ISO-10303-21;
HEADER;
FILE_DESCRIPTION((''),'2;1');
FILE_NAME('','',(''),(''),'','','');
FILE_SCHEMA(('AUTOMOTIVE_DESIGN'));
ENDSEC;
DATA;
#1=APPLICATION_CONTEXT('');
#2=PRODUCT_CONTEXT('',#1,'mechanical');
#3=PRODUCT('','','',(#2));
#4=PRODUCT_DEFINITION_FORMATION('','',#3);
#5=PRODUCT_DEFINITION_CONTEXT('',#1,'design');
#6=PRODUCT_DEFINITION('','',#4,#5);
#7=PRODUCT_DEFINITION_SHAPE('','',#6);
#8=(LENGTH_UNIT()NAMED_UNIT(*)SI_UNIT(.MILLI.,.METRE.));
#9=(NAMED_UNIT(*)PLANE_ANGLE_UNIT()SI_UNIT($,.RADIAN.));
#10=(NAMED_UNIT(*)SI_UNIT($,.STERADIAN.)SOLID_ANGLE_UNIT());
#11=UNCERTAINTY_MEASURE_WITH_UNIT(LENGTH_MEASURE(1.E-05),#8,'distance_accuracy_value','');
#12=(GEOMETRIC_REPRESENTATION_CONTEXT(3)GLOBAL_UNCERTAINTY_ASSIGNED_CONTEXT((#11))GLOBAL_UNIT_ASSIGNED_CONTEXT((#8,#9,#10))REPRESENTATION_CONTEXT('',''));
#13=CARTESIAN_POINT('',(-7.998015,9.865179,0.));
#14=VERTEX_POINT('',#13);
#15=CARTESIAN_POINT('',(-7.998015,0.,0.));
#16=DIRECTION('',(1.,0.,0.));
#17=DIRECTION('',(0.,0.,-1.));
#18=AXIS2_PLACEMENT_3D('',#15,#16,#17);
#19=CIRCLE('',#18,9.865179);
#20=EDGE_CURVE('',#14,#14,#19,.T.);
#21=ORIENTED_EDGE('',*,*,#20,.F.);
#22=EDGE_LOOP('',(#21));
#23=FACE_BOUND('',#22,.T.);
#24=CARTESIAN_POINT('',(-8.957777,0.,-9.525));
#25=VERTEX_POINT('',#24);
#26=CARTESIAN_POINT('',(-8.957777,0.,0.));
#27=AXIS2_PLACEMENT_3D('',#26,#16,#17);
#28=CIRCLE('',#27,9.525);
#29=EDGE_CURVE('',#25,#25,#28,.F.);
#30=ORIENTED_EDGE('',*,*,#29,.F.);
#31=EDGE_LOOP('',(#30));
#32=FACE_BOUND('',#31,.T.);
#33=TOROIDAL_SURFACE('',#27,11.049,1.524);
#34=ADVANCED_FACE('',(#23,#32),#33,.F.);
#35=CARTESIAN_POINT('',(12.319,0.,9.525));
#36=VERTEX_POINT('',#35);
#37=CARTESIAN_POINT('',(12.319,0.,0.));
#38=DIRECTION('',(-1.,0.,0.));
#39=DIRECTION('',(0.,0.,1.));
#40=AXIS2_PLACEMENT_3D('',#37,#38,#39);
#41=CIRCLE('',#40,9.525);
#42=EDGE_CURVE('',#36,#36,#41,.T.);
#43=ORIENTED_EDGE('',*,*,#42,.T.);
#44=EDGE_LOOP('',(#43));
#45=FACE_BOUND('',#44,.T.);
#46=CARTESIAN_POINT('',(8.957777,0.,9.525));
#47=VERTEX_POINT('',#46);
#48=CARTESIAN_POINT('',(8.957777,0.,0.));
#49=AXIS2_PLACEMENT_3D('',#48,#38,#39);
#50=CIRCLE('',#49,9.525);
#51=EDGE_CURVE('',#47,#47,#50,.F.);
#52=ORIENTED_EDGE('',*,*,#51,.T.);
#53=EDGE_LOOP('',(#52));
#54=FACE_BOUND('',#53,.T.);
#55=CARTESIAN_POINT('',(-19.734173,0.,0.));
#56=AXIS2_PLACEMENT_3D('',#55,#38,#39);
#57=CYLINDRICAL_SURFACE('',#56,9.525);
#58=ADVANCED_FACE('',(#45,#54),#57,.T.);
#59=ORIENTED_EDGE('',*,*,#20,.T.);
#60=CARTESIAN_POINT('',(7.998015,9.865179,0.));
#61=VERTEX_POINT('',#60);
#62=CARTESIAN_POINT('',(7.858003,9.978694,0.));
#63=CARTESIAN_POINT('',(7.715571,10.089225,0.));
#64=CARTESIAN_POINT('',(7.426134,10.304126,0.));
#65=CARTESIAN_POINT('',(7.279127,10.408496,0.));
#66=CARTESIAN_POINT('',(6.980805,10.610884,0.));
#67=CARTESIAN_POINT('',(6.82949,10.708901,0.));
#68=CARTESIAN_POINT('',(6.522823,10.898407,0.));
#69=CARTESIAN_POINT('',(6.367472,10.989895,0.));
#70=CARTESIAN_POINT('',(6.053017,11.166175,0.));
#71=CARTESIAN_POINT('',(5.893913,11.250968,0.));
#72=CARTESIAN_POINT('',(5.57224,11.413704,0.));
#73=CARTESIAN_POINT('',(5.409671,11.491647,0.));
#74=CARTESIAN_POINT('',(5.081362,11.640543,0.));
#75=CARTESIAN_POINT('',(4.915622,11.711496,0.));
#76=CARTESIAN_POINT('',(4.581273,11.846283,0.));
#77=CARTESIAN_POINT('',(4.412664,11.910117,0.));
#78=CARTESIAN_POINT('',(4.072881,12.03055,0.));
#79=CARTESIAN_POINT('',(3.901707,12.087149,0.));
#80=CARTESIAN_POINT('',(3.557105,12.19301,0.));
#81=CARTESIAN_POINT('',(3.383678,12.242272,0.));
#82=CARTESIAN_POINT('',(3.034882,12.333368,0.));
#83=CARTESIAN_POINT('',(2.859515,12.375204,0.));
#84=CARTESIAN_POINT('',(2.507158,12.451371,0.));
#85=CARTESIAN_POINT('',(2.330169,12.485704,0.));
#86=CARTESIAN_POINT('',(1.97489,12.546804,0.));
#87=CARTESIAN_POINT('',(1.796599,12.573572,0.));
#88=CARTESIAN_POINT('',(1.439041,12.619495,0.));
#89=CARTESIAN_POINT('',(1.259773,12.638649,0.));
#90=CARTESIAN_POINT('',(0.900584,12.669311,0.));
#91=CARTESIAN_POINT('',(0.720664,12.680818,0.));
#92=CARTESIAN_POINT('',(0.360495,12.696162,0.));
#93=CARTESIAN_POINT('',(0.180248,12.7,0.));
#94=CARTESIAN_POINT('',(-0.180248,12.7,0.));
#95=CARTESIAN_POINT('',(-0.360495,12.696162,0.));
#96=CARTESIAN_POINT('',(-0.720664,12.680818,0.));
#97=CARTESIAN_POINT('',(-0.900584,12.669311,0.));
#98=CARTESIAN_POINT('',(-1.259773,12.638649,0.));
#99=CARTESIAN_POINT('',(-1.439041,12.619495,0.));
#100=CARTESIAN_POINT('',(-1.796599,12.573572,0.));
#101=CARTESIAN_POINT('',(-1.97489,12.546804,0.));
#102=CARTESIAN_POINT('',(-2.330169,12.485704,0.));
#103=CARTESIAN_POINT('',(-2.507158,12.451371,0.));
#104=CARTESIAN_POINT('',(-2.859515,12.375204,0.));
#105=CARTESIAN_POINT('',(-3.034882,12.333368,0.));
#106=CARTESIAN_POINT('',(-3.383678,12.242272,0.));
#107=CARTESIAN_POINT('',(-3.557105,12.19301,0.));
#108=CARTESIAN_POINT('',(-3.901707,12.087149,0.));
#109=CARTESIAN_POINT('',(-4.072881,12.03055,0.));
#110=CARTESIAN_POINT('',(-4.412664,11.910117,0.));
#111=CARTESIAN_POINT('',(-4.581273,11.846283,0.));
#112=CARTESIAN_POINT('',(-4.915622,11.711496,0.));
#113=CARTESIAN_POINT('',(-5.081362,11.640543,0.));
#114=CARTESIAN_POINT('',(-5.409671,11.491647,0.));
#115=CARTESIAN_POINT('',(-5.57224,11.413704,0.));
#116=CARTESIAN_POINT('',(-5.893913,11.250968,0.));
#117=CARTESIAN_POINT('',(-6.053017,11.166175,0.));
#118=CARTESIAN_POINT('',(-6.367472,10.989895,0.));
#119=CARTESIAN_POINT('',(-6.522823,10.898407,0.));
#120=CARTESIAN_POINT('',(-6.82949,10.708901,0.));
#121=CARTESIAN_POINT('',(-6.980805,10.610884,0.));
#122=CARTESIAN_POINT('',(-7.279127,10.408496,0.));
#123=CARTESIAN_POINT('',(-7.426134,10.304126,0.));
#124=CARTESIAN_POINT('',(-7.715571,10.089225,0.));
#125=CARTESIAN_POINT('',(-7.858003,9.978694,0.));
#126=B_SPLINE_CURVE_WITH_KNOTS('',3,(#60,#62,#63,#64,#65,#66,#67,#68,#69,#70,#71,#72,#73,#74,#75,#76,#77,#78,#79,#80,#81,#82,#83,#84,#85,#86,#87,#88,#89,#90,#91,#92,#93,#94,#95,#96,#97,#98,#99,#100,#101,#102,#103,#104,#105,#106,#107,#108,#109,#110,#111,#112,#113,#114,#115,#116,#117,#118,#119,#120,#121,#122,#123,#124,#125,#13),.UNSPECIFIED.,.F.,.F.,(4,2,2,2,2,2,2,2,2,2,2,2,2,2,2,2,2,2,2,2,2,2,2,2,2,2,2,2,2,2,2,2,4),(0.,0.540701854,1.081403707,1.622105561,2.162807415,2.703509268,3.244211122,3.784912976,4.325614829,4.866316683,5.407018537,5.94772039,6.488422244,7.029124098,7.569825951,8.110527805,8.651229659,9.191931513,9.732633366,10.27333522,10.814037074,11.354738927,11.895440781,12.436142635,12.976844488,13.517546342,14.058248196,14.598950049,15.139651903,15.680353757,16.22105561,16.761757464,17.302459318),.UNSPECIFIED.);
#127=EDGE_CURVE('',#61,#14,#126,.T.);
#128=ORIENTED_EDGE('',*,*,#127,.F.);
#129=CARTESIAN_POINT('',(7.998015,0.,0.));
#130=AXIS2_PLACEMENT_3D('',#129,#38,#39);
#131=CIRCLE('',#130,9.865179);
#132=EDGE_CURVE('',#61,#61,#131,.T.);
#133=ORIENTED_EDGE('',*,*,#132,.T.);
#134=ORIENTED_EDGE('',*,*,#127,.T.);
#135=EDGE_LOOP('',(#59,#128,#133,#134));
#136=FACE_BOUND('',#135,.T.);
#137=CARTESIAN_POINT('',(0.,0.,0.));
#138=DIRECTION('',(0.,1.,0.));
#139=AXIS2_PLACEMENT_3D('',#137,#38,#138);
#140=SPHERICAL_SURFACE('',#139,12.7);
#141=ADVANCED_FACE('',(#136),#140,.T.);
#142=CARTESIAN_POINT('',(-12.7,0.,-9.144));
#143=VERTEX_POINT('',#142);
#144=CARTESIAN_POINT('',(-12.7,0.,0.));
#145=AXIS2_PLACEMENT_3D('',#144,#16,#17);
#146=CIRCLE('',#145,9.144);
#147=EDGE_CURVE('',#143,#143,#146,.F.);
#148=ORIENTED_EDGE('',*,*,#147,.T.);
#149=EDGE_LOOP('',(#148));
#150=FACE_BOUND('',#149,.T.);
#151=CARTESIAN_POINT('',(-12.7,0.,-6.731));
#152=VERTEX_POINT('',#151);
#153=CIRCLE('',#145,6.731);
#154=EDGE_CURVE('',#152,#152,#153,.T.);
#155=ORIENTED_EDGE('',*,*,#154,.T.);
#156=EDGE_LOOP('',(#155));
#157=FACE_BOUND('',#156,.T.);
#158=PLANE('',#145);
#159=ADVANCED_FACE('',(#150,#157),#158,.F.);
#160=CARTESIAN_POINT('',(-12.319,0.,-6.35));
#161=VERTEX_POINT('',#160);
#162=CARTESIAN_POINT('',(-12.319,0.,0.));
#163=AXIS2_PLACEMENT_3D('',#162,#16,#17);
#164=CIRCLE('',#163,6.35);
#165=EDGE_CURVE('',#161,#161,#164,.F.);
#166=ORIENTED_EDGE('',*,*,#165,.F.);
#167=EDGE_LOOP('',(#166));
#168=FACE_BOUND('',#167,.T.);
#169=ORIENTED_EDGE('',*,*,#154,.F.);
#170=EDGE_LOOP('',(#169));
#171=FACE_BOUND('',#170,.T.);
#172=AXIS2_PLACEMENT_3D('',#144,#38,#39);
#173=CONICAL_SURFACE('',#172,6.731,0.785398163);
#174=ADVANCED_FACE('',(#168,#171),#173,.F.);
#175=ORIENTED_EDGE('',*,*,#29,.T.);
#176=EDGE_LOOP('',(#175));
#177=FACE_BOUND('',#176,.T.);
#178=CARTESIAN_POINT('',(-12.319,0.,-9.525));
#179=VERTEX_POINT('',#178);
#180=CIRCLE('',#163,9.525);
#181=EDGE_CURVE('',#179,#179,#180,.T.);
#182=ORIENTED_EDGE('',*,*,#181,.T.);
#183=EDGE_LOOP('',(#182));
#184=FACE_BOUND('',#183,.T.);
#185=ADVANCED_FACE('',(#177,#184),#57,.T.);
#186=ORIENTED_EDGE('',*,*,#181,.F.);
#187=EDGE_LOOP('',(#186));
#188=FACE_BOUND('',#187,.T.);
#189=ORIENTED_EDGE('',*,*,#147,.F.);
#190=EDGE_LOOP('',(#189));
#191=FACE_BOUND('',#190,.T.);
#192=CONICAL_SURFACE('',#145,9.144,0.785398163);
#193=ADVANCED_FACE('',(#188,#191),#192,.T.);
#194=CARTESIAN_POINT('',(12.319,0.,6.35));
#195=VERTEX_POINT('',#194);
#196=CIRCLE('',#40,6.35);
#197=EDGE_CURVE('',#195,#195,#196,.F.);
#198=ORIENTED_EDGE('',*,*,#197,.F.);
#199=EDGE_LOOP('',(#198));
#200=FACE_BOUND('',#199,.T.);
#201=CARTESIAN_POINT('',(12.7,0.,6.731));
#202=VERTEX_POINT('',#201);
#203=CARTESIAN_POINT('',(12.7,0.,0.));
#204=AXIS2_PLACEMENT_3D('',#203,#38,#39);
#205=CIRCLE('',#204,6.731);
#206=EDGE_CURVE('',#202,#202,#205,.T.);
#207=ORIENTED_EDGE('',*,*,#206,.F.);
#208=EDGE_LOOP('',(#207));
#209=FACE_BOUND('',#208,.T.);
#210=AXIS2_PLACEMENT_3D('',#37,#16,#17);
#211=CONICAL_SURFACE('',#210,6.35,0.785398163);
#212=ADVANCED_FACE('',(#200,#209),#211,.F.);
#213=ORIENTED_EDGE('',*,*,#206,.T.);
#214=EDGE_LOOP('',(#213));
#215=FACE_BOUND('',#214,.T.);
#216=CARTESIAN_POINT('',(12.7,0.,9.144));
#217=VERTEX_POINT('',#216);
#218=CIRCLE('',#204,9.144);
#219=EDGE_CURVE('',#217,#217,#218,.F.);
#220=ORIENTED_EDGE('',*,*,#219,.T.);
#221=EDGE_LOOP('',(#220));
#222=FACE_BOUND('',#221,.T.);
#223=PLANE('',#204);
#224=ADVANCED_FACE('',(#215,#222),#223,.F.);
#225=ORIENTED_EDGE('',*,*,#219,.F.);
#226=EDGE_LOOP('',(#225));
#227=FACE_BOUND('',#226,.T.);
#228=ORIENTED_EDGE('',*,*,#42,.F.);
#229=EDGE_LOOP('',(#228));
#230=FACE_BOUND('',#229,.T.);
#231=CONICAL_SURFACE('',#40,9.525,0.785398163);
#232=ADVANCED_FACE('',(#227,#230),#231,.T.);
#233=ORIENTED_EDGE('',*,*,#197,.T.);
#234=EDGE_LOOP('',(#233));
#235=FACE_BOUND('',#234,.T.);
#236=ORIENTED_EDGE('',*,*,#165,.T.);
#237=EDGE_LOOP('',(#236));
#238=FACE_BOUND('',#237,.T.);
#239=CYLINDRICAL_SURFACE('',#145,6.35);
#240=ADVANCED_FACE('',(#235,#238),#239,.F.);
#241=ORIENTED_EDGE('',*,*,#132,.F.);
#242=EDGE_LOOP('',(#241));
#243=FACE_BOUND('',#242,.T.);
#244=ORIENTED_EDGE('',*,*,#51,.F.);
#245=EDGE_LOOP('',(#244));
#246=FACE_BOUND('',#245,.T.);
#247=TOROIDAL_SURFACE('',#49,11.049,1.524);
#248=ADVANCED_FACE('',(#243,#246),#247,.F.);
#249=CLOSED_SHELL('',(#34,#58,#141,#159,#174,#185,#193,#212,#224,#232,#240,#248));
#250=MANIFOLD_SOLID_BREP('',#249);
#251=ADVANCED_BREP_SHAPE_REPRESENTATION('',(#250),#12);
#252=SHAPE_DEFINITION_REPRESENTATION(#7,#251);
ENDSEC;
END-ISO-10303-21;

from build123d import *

# Parameters (mm, degrees)
CUT_EXTRUDE1_DEPTH      = 22.997045256
CUT_EXTRUDE1_DEPTH_BACK = 22.997045256
SKETCH2_R               = 6.35
FILLET1_R               = 1.524
CHAMFER1_SIZE           = 0.381


with BuildPart() as part:
    # Sketch1 → Revolve1 (revolve)
    with BuildSketch(Plane.XY):
        with BuildLine():
            Line((-12.7, 0), (12.7, 0))
            Line((12.7, 0), (12.7, 9.525))
            Line((12.7, 9.525), (8.400260413, 9.525))
            ThreePointArc((8.400260413, 9.525), (0, 12.7), (-8.400260413, 9.525))
            Line((-8.400260413, 9.525), (-12.7, 9.525))
            Line((-12.7, 9.525), (-12.7, 0))
        make_face()
    revolve(axis=Axis((-19.734173111, 0, 0), (1, 0, 0)))

    # Sketch2 → Cut-Extrude1 (cut, two sides: drawn at the far end of the back side and taken through both)
    with BuildSketch(Plane(origin=(0, 0, 0), x_dir=(0, 0, -1), z_dir=(1, 0, 0)).offset(-CUT_EXTRUDE1_DEPTH_BACK)):
        Circle(SKETCH2_R)
    extrude(amount=CUT_EXTRUDE1_DEPTH + CUT_EXTRUDE1_DEPTH_BACK, mode=Mode.SUBTRACT)

    # Fillet1
    fillet1_edges = [part.edges().sort_by_distance(p)[0] for p in [
        (8.400260413, -9.525, 0),
        (-8.400260413, -9.525, 0),
    ]]
    fillet(fillet1_edges, radius=FILLET1_R)

    # Chamfer1
    chamfer1_edges = [part.edges().sort_by_distance(p)[0] for p in [
        (12.7, -9.525, 0),
        (-12.7, -9.525, 0),
        (12.7, 0, 6.35),
        (-12.7, 0, 6.35),
    ]]
    chamfer(chamfer1_edges, length=CHAMFER1_SIZE)


solid = part.part
